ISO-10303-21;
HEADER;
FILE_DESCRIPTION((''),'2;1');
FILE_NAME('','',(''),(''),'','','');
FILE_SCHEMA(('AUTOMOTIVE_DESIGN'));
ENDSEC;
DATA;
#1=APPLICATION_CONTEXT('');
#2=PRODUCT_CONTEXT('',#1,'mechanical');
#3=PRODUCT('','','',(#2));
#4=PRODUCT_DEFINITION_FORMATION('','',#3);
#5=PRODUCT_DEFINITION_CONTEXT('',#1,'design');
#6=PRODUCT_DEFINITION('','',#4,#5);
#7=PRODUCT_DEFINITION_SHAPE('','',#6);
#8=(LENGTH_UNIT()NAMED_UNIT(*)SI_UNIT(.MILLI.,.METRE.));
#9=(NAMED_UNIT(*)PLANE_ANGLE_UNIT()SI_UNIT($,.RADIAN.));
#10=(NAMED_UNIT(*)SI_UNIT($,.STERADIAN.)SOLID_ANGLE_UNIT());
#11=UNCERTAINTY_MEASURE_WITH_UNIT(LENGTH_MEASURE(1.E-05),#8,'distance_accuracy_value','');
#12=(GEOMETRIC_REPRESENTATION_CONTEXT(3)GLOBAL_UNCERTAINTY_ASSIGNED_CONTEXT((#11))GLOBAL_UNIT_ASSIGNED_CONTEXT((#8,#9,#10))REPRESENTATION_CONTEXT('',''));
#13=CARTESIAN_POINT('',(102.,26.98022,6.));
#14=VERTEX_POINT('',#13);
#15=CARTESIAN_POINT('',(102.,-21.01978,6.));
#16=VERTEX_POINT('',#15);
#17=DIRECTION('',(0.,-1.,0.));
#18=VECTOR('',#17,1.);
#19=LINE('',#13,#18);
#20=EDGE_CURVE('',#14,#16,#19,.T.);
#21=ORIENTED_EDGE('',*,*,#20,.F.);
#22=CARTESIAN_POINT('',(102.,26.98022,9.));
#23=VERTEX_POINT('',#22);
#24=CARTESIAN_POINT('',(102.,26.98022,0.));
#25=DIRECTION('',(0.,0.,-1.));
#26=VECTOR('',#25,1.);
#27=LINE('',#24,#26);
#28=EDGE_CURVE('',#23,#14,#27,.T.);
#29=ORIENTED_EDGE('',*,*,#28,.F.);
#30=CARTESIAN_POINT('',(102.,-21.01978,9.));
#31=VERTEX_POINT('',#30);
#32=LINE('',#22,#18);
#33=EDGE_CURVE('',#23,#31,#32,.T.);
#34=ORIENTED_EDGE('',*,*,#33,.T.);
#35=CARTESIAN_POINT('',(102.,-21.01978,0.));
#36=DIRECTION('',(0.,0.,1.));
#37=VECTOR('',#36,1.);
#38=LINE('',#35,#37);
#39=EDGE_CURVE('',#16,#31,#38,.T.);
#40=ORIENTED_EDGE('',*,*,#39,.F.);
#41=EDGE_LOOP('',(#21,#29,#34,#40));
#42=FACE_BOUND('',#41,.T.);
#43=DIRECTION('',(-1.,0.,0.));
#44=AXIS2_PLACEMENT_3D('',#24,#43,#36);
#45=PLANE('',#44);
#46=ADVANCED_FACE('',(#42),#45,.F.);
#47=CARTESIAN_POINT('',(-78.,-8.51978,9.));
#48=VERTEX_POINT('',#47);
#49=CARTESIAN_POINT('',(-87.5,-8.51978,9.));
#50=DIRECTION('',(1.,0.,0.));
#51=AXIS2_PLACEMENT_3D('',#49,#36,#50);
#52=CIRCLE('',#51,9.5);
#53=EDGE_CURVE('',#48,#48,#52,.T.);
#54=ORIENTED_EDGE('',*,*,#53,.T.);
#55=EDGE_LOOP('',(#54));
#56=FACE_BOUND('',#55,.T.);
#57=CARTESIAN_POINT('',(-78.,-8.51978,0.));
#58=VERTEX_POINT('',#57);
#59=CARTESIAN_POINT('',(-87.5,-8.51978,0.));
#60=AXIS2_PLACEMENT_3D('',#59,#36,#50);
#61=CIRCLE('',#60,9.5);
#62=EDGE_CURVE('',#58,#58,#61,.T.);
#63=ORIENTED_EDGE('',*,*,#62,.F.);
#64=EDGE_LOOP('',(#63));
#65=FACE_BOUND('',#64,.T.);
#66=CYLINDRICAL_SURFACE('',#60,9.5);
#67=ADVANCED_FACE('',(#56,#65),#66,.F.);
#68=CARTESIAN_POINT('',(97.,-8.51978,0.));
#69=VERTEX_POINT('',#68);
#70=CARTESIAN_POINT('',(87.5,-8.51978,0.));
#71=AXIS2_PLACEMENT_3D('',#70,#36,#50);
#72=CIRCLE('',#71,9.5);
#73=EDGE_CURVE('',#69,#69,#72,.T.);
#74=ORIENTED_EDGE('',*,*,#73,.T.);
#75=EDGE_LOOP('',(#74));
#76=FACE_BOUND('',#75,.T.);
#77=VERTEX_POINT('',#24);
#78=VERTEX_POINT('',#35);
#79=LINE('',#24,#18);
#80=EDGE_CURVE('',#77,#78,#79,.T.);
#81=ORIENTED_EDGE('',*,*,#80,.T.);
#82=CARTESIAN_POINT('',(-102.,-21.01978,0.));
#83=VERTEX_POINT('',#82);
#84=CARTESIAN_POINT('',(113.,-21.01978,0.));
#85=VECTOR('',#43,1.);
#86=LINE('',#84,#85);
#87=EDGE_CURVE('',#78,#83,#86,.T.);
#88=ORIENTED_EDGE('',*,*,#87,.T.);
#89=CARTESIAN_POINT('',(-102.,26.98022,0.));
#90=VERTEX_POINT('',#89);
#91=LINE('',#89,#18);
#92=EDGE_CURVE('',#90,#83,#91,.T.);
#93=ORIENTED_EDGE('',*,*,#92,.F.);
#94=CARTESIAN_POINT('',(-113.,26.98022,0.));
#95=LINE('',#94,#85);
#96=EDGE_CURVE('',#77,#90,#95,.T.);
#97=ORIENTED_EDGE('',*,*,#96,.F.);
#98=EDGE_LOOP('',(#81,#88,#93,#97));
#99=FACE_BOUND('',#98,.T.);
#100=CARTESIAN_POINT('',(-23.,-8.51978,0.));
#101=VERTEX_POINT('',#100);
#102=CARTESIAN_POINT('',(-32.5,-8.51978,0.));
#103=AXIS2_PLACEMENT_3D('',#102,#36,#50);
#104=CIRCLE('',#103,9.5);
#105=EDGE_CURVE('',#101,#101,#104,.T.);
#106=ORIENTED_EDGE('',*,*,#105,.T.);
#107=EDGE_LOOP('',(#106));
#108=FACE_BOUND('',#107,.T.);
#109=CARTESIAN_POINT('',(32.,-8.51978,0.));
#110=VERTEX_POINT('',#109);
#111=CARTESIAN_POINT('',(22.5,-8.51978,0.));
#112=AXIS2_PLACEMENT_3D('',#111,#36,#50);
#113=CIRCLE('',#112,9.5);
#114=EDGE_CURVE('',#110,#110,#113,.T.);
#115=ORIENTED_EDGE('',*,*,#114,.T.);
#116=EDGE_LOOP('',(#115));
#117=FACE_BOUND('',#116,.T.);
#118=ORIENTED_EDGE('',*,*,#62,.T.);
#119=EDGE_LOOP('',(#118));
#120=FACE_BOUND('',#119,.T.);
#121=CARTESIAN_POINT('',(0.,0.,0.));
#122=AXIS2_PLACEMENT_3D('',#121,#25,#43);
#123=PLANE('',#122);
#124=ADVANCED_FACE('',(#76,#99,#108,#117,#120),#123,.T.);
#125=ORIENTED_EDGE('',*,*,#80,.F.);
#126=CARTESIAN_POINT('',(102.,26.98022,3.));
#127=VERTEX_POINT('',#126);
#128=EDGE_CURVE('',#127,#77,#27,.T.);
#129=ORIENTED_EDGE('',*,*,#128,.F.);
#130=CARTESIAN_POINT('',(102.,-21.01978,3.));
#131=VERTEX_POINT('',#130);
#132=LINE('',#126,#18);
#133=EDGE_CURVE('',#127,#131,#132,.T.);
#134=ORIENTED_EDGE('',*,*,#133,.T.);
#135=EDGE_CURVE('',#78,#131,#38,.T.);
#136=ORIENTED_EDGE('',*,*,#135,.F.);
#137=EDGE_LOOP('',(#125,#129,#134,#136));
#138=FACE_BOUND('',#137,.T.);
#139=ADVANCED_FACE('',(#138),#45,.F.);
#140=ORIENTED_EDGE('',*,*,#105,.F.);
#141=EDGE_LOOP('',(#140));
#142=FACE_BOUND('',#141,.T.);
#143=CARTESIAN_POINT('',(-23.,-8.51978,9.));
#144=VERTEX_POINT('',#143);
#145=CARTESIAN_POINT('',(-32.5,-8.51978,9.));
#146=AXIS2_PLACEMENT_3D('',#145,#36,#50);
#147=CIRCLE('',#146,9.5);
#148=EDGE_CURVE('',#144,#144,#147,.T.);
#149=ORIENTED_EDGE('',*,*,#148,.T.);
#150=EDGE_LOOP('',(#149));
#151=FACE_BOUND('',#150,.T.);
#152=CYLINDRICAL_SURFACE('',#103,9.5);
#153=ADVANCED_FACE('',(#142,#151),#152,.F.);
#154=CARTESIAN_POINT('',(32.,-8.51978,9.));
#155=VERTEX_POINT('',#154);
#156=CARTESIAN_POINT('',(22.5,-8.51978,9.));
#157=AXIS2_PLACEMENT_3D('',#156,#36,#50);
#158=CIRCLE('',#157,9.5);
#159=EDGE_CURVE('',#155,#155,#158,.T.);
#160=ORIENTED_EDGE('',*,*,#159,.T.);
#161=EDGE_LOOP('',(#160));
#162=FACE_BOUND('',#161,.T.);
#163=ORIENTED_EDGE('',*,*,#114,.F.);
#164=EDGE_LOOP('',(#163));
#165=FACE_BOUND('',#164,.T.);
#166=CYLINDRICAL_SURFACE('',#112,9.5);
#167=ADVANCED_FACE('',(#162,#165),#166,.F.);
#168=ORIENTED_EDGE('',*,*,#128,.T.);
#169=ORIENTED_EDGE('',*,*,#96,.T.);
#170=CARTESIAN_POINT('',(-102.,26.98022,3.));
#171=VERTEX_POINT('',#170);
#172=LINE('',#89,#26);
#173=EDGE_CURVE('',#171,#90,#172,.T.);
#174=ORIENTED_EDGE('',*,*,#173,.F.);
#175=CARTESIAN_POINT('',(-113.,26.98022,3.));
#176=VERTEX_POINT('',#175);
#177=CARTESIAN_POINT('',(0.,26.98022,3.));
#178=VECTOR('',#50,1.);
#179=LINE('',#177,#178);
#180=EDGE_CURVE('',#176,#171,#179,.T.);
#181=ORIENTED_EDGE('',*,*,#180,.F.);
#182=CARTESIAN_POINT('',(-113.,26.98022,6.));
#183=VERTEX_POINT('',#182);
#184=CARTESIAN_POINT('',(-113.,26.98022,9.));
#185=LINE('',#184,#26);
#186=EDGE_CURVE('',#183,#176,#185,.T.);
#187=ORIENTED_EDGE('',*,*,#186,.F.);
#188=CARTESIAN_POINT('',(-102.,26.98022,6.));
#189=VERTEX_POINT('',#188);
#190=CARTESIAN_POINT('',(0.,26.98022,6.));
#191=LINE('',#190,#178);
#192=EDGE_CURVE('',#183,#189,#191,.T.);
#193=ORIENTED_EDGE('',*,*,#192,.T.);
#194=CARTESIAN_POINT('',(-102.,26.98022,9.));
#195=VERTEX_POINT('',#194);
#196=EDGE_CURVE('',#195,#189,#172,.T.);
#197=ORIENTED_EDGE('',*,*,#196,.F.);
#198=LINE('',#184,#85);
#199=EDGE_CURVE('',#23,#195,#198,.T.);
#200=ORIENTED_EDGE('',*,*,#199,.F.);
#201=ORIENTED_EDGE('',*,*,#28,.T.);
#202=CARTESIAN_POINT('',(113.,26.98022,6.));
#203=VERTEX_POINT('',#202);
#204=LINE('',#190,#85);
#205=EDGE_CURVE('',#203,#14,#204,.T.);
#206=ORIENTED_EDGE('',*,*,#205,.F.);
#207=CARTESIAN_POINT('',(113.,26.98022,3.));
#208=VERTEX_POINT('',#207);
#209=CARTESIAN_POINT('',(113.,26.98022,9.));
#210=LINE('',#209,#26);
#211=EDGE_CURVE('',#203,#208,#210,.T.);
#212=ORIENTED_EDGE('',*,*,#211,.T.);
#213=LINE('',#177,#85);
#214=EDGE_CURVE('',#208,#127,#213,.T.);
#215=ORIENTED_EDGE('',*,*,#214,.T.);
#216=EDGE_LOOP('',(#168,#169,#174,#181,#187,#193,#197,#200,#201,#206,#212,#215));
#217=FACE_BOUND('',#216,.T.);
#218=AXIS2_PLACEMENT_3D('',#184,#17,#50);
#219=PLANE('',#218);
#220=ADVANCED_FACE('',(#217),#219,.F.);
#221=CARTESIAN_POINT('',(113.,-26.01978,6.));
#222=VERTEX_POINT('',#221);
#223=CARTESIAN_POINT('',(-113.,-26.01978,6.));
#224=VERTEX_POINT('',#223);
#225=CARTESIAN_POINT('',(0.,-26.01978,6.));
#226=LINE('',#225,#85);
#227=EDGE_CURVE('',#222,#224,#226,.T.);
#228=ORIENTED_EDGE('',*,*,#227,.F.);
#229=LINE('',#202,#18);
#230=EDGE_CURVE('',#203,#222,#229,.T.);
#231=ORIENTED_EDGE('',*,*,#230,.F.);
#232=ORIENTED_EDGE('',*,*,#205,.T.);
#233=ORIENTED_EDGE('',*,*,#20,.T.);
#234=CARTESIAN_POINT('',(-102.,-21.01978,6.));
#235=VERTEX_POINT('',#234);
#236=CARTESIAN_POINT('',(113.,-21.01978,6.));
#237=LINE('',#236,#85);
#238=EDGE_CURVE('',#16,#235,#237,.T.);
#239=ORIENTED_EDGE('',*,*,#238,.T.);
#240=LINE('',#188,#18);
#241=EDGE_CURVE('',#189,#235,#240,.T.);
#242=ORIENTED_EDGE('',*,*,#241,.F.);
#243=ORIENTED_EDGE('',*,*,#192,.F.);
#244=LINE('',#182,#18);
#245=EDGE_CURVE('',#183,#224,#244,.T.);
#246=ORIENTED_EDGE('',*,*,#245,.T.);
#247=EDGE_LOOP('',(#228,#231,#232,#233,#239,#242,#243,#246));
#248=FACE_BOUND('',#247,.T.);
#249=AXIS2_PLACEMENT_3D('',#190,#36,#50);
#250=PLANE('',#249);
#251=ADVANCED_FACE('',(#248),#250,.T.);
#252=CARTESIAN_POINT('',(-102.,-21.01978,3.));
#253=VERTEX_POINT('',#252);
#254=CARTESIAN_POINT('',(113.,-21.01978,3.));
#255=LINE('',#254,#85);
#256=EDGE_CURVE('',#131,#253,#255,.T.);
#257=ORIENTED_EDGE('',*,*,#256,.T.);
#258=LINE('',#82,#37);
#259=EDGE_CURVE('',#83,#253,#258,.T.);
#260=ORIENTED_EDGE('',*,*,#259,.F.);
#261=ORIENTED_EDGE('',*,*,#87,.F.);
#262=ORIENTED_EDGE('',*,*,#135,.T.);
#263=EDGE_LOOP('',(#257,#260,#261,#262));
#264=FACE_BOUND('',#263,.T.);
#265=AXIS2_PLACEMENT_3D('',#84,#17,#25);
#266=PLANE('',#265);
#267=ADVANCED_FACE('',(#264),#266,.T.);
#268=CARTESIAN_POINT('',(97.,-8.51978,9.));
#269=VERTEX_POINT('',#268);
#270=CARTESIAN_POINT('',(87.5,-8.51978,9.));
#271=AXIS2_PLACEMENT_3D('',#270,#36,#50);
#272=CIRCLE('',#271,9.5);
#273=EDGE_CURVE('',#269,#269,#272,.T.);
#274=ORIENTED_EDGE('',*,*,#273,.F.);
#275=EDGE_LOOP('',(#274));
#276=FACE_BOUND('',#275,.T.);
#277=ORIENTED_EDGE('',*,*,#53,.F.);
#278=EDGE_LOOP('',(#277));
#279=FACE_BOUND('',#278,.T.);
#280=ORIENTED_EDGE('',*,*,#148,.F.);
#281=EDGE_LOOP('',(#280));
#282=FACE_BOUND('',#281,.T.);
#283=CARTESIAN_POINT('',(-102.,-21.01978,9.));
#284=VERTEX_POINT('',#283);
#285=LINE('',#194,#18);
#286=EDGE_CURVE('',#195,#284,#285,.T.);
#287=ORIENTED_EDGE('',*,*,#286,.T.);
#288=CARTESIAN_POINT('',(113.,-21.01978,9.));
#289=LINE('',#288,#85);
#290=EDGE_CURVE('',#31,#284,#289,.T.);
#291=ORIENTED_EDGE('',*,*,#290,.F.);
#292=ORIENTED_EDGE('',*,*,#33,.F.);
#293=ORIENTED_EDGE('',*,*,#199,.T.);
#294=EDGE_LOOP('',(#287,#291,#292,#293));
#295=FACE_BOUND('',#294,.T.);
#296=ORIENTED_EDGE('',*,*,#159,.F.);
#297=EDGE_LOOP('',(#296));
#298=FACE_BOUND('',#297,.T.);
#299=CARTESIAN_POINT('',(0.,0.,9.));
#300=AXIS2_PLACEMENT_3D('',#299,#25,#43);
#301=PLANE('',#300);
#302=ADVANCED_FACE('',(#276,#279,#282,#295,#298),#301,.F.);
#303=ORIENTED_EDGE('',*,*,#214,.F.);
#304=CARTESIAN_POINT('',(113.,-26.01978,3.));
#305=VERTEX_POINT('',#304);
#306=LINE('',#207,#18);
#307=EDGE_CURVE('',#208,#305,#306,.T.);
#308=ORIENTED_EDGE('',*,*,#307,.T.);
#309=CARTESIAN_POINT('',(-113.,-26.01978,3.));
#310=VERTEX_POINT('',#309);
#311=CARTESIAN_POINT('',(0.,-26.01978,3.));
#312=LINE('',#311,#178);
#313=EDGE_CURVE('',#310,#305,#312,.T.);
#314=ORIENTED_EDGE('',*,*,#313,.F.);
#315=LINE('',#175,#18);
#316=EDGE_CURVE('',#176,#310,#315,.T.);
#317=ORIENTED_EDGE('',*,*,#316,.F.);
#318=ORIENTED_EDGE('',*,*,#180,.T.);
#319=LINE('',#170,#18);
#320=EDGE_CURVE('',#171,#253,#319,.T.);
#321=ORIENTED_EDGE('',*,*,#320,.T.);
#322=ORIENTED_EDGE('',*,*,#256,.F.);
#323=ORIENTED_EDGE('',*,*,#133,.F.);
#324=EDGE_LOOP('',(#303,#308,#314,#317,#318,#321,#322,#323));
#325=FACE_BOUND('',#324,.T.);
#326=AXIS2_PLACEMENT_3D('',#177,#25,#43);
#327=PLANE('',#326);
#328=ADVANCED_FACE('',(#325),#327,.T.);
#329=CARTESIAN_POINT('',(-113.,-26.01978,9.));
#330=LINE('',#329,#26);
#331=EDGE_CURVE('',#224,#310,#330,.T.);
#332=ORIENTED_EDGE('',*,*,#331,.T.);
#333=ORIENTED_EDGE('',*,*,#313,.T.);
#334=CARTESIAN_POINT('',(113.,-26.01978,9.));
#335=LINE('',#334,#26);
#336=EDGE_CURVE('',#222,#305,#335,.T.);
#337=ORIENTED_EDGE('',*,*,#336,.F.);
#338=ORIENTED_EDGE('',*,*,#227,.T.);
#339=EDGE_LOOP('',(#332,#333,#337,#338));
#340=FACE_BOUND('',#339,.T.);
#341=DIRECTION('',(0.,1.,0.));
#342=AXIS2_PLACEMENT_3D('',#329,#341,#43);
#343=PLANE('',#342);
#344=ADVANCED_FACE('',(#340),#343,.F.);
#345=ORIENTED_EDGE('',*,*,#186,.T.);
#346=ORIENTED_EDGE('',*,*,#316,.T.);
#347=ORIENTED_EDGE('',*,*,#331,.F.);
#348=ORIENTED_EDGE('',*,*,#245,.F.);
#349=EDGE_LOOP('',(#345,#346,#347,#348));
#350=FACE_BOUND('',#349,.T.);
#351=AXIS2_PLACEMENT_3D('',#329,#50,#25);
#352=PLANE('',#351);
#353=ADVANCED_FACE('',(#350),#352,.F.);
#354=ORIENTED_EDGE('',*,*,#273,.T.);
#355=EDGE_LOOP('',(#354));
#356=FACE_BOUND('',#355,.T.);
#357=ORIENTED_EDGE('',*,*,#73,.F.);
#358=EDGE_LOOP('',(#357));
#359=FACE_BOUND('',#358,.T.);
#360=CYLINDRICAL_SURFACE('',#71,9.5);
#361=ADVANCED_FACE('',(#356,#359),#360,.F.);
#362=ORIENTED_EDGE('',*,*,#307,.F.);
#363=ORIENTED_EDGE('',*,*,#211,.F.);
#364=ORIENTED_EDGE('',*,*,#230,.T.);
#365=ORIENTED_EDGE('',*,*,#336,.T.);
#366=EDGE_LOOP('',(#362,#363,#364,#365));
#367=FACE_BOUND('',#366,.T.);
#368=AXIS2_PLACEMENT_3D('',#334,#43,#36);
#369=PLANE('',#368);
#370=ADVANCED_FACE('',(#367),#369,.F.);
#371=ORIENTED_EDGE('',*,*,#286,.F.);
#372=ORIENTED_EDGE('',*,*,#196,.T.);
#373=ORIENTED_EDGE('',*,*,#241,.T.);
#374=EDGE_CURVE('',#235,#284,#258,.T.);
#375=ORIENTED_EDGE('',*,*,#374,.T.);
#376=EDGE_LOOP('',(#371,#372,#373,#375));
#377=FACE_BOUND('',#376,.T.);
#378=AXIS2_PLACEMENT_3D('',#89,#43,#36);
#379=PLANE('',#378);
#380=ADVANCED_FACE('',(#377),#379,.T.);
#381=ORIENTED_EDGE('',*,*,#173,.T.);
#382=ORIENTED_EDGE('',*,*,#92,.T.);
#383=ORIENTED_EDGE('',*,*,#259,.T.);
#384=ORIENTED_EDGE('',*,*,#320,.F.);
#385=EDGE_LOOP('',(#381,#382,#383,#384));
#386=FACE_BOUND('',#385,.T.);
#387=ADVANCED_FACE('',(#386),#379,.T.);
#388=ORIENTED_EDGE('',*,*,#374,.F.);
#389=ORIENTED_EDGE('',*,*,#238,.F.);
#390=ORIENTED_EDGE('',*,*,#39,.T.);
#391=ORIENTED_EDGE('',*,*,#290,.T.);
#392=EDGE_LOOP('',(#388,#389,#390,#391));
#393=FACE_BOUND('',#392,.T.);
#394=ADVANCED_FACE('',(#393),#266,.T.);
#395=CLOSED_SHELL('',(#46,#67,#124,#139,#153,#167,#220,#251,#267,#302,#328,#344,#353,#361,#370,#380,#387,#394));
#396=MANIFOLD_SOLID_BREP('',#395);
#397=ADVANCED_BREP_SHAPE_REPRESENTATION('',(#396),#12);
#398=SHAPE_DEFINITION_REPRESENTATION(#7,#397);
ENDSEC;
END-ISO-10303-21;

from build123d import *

# Parameters (mm, degrees)
SKETCH1_W           = 226
SKETCH1_H           = 53
BOSS_EXTRUDE1_DEPTH = 9
SKETCH3_R           = 9.5
CUT_EXTRUDE1_DEPTH  = 9
SKETCH2_W           = 11
SKETCH2_H           = 3
CUT_EXTRUDE2_DEPTH  = 54
SKETCH4_W           = 3
SKETCH4_H           = 5
CUT_EXTRUDE3_DEPTH  = 227


with BuildPart() as part:
    # Sketch1 → Boss-Extrude1 (new body)
    with BuildSketch(Plane.XY):
        with Locations((0, 0.4802203)):
            Rectangle(SKETCH1_W, SKETCH1_H)
    extrude(amount=BOSS_EXTRUDE1_DEPTH)

    # Sketch3 → Cut-Extrude1 (cut)
    with BuildSketch(Plane.XY.offset(9)):
        with Locations((-87.5, -8.5197797)):
            Circle(SKETCH3_R)
        with Locations((-32.5, -8.5197797)):
            Circle(SKETCH3_R)
        with Locations((22.5, -8.5197797)):
            Circle(SKETCH3_R)
        with Locations((87.5, -8.5197797)):
            Circle(SKETCH3_R)
    extrude(amount=-CUT_EXTRUDE1_DEPTH, mode=Mode.SUBTRACT)

    # Sketch2 → Cut-Extrude2 (cut, through all)
    with BuildSketch(Plane.XZ.offset(26.0197797)):
        with Locations((-107.5, 7.5)):
            Rectangle(SKETCH2_W, SKETCH2_H)
        with Locations((-107.5, 1.5)):
            Rectangle(SKETCH2_W, SKETCH2_H)
        with Locations((107.5, 7.5)):
            Rectangle(SKETCH2_W, SKETCH2_H)
        with Locations((107.5, 1.5)):
            Rectangle(SKETCH2_W, SKETCH2_H)
    extrude(amount=-CUT_EXTRUDE2_DEPTH, mode=Mode.SUBTRACT)

    # Sketch4 → Cut-Extrude3 (cut, through all)
    with BuildSketch(Plane.ZY.offset(113)):
        Polygon((0, -21.0197797), (0, -26.0197797), (3, -26.0197797), (3, -23.123504735), (3, -21.0197797), align=None)
        with Locations((7.5, -23.5197797)):
            Rectangle(SKETCH4_W, SKETCH4_H)
    extrude(amount=-CUT_EXTRUDE3_DEPTH, mode=Mode.SUBTRACT)


solid = part.part
